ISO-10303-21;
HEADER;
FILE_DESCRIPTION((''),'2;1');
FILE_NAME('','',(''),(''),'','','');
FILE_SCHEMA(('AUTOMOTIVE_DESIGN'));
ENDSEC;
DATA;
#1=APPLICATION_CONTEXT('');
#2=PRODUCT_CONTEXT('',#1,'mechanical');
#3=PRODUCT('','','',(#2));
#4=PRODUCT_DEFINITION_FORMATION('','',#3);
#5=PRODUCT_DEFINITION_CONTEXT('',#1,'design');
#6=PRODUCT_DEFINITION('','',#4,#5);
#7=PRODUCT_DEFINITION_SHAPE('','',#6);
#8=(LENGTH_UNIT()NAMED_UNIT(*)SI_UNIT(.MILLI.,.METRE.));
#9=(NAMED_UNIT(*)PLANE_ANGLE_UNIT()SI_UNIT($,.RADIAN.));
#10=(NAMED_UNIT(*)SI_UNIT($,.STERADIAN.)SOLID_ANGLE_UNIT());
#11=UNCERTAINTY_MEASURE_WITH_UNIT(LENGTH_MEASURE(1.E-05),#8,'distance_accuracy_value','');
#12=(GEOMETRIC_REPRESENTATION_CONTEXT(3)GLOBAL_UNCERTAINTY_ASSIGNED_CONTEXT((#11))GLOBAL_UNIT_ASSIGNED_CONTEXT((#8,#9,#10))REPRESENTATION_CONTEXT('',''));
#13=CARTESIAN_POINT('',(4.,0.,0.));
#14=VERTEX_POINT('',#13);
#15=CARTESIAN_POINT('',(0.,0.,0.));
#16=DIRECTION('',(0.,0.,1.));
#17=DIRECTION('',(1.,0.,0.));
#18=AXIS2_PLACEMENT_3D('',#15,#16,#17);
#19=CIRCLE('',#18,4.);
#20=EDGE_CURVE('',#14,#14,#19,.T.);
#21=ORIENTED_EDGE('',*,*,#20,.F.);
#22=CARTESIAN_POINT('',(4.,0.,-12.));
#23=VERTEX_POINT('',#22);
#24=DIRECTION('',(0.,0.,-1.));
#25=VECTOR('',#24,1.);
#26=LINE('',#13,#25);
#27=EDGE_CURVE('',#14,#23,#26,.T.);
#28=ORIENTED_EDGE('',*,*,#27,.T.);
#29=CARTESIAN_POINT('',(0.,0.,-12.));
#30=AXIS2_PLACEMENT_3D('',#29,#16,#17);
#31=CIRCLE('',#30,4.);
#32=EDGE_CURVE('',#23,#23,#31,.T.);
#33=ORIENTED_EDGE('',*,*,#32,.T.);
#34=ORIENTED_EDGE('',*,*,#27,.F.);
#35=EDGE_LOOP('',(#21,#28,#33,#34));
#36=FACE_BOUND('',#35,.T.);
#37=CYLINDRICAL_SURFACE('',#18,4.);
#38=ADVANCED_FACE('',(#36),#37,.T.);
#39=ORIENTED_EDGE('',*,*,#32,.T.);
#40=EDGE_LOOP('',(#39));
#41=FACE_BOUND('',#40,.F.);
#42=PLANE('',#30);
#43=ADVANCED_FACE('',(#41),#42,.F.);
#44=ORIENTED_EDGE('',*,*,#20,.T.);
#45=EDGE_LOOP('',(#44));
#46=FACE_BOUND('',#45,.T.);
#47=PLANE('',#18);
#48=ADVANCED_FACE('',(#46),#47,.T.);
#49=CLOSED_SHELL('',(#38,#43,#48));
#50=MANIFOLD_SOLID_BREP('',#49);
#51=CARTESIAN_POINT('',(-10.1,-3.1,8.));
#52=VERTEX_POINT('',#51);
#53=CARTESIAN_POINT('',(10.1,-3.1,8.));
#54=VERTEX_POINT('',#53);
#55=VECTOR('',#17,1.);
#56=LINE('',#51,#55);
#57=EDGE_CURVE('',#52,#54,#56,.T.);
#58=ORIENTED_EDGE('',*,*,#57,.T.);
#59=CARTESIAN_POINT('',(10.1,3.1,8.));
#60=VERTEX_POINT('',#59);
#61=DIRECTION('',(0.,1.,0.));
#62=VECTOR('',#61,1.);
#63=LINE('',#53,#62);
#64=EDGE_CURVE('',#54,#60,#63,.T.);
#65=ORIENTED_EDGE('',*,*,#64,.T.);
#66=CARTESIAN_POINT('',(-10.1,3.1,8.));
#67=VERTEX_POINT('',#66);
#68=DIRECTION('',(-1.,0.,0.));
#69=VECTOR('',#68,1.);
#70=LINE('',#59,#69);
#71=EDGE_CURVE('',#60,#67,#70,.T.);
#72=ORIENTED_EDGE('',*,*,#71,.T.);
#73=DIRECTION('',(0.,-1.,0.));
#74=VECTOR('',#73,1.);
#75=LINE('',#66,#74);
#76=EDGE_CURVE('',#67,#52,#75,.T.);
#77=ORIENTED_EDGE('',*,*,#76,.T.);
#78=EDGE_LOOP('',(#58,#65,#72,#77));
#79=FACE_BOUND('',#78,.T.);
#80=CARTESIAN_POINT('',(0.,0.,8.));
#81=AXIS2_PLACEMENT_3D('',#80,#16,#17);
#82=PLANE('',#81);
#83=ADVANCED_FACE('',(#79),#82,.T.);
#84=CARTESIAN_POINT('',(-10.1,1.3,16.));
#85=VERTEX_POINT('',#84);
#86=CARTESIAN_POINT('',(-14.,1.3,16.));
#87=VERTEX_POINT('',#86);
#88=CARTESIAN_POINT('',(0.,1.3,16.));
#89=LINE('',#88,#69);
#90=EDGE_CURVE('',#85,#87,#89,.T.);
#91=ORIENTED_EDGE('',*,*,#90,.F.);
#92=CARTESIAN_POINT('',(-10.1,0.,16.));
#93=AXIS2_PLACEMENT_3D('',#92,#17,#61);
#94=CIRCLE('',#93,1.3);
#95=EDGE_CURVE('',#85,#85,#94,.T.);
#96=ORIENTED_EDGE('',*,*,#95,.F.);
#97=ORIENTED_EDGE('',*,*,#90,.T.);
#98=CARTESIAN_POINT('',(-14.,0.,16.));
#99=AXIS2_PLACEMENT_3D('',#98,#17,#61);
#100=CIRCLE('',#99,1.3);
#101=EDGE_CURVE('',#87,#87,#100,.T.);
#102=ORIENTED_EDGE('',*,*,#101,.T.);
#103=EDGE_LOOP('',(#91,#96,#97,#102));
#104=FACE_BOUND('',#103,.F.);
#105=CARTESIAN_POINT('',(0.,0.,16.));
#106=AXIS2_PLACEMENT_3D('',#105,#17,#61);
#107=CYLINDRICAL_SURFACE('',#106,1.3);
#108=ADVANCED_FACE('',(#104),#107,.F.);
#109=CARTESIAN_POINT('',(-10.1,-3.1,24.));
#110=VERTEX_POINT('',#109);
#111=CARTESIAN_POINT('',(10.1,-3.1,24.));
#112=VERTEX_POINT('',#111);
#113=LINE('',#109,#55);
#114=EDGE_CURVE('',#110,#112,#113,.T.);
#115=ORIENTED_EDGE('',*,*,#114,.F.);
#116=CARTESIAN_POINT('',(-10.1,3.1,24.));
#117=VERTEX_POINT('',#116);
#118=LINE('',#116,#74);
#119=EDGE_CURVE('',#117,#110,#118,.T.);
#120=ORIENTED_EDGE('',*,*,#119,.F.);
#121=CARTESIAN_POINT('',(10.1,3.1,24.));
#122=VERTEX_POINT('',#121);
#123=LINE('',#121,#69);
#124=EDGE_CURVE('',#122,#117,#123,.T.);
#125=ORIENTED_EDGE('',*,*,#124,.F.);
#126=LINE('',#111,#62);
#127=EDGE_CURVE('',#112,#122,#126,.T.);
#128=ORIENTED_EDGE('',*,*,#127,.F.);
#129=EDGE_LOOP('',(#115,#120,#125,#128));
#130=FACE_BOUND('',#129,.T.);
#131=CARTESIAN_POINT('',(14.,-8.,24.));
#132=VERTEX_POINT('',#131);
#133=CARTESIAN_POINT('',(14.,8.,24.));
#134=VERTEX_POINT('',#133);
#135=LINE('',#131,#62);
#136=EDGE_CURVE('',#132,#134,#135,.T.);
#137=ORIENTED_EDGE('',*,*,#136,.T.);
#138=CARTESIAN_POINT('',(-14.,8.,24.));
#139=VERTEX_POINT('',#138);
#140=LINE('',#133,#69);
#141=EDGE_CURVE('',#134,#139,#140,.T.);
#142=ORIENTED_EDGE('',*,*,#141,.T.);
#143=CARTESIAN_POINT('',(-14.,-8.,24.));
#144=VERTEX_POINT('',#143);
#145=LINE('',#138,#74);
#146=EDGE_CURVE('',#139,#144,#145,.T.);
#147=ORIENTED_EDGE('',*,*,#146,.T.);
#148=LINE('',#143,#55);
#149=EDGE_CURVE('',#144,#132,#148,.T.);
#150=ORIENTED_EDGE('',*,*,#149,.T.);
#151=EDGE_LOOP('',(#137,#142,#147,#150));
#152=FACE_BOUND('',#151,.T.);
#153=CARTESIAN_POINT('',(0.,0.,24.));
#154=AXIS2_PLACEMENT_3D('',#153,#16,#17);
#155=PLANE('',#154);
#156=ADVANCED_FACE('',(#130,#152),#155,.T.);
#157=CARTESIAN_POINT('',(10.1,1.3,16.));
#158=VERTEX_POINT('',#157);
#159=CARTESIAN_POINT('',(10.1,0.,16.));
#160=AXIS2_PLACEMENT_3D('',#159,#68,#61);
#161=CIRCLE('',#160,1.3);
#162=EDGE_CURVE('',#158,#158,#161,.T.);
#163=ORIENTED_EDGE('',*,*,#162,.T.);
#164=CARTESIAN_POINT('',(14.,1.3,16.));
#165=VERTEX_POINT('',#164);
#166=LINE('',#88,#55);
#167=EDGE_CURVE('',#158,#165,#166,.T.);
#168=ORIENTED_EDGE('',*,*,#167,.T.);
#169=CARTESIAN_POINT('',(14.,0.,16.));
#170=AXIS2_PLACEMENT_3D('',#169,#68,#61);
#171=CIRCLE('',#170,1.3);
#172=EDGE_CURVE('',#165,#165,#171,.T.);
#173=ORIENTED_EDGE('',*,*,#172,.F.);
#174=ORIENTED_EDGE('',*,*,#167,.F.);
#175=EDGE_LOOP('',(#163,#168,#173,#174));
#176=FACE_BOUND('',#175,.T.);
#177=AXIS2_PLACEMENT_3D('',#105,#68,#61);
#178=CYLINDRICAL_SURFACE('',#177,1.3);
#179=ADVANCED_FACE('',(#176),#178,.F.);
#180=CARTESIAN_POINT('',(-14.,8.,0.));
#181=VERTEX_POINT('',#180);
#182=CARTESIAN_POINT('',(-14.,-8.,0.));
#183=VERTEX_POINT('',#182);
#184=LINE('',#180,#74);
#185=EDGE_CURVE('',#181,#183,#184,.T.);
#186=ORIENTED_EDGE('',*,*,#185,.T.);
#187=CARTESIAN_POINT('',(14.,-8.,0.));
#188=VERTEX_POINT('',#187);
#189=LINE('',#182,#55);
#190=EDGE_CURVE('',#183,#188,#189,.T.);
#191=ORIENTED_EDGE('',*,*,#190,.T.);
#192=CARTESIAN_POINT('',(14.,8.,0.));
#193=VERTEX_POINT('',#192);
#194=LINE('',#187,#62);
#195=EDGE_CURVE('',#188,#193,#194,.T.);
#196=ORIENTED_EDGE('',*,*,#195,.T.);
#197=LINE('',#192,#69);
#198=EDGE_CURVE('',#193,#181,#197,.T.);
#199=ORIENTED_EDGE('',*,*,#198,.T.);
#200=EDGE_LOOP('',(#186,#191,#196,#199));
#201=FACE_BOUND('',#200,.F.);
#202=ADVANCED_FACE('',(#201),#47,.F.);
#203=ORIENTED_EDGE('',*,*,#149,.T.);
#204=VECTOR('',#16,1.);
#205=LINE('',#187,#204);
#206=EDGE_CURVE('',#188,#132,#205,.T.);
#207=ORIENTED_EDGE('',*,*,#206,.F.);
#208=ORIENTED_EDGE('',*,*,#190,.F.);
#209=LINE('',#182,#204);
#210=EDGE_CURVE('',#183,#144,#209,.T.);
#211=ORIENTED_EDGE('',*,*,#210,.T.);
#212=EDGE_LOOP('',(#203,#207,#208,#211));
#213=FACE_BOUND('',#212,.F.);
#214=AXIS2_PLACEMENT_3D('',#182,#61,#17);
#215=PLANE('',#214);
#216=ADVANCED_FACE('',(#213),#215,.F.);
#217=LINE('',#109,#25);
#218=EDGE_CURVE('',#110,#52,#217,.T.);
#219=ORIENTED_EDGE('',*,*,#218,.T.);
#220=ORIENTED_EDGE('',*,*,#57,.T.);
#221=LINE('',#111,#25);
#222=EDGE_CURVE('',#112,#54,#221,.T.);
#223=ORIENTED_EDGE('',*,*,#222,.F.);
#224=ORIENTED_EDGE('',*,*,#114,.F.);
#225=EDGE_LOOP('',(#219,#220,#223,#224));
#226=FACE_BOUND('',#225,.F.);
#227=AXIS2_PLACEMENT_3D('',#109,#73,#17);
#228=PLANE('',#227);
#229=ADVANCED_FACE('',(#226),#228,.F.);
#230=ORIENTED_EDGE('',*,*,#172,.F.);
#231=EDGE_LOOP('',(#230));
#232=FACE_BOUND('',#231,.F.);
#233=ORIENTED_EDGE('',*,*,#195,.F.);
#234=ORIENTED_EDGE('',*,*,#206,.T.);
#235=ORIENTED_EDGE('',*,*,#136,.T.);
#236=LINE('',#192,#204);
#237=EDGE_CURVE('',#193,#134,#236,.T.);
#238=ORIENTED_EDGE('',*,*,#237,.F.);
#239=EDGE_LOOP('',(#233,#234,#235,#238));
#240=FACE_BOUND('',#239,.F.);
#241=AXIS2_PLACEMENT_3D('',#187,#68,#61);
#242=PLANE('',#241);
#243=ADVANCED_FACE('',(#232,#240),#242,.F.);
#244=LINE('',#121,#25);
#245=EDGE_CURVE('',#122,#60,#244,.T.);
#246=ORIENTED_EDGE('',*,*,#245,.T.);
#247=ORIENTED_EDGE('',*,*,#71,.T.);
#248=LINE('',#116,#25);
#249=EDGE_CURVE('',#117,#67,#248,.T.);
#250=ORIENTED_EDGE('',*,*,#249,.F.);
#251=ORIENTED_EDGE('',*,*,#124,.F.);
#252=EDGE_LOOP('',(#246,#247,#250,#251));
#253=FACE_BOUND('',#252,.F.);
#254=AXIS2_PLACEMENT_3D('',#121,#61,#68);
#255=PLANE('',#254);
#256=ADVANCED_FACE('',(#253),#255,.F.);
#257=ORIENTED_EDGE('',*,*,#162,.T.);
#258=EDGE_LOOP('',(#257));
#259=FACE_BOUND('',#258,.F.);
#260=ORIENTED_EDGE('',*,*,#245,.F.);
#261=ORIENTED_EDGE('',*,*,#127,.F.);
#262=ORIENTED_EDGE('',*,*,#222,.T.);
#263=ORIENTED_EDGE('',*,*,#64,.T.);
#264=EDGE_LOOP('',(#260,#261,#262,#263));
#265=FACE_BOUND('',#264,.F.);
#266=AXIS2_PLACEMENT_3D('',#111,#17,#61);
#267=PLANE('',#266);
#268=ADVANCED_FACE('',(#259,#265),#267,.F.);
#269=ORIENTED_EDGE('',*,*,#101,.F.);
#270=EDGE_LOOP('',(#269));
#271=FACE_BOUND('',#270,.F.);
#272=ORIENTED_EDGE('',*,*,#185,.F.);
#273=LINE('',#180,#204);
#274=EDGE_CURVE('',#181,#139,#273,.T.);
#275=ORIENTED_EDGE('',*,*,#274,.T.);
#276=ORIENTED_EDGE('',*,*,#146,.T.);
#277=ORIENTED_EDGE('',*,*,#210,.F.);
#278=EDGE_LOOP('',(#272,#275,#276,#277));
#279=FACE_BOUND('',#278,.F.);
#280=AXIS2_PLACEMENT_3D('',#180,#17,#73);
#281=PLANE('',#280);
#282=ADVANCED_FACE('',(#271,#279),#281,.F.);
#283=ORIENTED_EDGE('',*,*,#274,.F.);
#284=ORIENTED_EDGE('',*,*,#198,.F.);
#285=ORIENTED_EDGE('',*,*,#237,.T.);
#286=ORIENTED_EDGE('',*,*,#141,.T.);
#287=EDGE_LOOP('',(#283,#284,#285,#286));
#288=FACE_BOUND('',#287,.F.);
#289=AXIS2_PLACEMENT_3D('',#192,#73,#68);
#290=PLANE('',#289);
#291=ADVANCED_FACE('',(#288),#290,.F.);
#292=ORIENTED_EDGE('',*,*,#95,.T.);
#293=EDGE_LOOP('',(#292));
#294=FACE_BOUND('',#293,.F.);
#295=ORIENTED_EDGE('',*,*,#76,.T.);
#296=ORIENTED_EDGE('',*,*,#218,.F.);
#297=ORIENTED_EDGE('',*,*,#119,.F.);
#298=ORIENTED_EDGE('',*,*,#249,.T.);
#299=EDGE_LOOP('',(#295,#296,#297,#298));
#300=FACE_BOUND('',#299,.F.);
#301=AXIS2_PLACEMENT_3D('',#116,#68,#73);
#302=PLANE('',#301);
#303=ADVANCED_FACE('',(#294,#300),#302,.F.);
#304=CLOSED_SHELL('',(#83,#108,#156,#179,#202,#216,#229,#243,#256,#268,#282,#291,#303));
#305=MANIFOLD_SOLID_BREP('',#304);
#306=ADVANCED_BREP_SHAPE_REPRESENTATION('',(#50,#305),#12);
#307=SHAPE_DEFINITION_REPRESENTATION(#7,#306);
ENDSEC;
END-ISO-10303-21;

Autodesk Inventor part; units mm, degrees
ref_plane "YZ Plane" through (0, 0, 0) normal (1, 0, 0) x (0, 1, 0)
ref_plane "XZ Plane" through (0, 0, 0) normal (0, 1, 0) x (-1, 0, 0)
sketch "Skizze1" plane through (0, 0, 0) normal (0, 0, 1) x (1, 0, 0)
  line L0 (-14, -8) -> (14, -8)
  line L1 (14, -8) -> (14, 8)
  line L2 (14, 8) -> (-14, 8)
  line L3 (-14, 8) -> (-14, -8)
extrude "Extrusion1" add sketch "Skizze1" along normal blind 24
sketch "Skizze2" plane through (0, 0, 0) normal (0, 0, 1) x (1, 0, 0)
  circle A0 centre (0, 0) radius 4
extrude "Extrusion2" add sketch "Skizze2" against normal blind 12 separate body
ref_plane "Arbeitsebene1" through (0, 0, 24) normal (0, 0, 1) x (1, 0, 0)
sketch "Skizze3" plane through (0, 0, 24) normal (0, 0, 1) x (1, 0, 0)
  line L0 (-10.1, -3.1) -> (10.1, -3.1)
  line L1 (10.1, -3.1) -> (10.1, 3.1)
  line L2 (10.1, 3.1) -> (-10.1, 3.1)
  line L3 (-10.1, 3.1) -> (-10.1, -3.1)
extrude "Extrusion3" cut sketch "Skizze3" against normal blind 16 bodies 1
sketch "Skizze4" plane through (0, 0, 0) normal (1, 0, 0) x (0, 1, 0)
  circle A0 centre (0, 16) radius 1.3
extrude "Extrusion4" cut sketch "Skizze4" along normal mid plane 30 bodies 1
properties part number "Idler_Klemme"
